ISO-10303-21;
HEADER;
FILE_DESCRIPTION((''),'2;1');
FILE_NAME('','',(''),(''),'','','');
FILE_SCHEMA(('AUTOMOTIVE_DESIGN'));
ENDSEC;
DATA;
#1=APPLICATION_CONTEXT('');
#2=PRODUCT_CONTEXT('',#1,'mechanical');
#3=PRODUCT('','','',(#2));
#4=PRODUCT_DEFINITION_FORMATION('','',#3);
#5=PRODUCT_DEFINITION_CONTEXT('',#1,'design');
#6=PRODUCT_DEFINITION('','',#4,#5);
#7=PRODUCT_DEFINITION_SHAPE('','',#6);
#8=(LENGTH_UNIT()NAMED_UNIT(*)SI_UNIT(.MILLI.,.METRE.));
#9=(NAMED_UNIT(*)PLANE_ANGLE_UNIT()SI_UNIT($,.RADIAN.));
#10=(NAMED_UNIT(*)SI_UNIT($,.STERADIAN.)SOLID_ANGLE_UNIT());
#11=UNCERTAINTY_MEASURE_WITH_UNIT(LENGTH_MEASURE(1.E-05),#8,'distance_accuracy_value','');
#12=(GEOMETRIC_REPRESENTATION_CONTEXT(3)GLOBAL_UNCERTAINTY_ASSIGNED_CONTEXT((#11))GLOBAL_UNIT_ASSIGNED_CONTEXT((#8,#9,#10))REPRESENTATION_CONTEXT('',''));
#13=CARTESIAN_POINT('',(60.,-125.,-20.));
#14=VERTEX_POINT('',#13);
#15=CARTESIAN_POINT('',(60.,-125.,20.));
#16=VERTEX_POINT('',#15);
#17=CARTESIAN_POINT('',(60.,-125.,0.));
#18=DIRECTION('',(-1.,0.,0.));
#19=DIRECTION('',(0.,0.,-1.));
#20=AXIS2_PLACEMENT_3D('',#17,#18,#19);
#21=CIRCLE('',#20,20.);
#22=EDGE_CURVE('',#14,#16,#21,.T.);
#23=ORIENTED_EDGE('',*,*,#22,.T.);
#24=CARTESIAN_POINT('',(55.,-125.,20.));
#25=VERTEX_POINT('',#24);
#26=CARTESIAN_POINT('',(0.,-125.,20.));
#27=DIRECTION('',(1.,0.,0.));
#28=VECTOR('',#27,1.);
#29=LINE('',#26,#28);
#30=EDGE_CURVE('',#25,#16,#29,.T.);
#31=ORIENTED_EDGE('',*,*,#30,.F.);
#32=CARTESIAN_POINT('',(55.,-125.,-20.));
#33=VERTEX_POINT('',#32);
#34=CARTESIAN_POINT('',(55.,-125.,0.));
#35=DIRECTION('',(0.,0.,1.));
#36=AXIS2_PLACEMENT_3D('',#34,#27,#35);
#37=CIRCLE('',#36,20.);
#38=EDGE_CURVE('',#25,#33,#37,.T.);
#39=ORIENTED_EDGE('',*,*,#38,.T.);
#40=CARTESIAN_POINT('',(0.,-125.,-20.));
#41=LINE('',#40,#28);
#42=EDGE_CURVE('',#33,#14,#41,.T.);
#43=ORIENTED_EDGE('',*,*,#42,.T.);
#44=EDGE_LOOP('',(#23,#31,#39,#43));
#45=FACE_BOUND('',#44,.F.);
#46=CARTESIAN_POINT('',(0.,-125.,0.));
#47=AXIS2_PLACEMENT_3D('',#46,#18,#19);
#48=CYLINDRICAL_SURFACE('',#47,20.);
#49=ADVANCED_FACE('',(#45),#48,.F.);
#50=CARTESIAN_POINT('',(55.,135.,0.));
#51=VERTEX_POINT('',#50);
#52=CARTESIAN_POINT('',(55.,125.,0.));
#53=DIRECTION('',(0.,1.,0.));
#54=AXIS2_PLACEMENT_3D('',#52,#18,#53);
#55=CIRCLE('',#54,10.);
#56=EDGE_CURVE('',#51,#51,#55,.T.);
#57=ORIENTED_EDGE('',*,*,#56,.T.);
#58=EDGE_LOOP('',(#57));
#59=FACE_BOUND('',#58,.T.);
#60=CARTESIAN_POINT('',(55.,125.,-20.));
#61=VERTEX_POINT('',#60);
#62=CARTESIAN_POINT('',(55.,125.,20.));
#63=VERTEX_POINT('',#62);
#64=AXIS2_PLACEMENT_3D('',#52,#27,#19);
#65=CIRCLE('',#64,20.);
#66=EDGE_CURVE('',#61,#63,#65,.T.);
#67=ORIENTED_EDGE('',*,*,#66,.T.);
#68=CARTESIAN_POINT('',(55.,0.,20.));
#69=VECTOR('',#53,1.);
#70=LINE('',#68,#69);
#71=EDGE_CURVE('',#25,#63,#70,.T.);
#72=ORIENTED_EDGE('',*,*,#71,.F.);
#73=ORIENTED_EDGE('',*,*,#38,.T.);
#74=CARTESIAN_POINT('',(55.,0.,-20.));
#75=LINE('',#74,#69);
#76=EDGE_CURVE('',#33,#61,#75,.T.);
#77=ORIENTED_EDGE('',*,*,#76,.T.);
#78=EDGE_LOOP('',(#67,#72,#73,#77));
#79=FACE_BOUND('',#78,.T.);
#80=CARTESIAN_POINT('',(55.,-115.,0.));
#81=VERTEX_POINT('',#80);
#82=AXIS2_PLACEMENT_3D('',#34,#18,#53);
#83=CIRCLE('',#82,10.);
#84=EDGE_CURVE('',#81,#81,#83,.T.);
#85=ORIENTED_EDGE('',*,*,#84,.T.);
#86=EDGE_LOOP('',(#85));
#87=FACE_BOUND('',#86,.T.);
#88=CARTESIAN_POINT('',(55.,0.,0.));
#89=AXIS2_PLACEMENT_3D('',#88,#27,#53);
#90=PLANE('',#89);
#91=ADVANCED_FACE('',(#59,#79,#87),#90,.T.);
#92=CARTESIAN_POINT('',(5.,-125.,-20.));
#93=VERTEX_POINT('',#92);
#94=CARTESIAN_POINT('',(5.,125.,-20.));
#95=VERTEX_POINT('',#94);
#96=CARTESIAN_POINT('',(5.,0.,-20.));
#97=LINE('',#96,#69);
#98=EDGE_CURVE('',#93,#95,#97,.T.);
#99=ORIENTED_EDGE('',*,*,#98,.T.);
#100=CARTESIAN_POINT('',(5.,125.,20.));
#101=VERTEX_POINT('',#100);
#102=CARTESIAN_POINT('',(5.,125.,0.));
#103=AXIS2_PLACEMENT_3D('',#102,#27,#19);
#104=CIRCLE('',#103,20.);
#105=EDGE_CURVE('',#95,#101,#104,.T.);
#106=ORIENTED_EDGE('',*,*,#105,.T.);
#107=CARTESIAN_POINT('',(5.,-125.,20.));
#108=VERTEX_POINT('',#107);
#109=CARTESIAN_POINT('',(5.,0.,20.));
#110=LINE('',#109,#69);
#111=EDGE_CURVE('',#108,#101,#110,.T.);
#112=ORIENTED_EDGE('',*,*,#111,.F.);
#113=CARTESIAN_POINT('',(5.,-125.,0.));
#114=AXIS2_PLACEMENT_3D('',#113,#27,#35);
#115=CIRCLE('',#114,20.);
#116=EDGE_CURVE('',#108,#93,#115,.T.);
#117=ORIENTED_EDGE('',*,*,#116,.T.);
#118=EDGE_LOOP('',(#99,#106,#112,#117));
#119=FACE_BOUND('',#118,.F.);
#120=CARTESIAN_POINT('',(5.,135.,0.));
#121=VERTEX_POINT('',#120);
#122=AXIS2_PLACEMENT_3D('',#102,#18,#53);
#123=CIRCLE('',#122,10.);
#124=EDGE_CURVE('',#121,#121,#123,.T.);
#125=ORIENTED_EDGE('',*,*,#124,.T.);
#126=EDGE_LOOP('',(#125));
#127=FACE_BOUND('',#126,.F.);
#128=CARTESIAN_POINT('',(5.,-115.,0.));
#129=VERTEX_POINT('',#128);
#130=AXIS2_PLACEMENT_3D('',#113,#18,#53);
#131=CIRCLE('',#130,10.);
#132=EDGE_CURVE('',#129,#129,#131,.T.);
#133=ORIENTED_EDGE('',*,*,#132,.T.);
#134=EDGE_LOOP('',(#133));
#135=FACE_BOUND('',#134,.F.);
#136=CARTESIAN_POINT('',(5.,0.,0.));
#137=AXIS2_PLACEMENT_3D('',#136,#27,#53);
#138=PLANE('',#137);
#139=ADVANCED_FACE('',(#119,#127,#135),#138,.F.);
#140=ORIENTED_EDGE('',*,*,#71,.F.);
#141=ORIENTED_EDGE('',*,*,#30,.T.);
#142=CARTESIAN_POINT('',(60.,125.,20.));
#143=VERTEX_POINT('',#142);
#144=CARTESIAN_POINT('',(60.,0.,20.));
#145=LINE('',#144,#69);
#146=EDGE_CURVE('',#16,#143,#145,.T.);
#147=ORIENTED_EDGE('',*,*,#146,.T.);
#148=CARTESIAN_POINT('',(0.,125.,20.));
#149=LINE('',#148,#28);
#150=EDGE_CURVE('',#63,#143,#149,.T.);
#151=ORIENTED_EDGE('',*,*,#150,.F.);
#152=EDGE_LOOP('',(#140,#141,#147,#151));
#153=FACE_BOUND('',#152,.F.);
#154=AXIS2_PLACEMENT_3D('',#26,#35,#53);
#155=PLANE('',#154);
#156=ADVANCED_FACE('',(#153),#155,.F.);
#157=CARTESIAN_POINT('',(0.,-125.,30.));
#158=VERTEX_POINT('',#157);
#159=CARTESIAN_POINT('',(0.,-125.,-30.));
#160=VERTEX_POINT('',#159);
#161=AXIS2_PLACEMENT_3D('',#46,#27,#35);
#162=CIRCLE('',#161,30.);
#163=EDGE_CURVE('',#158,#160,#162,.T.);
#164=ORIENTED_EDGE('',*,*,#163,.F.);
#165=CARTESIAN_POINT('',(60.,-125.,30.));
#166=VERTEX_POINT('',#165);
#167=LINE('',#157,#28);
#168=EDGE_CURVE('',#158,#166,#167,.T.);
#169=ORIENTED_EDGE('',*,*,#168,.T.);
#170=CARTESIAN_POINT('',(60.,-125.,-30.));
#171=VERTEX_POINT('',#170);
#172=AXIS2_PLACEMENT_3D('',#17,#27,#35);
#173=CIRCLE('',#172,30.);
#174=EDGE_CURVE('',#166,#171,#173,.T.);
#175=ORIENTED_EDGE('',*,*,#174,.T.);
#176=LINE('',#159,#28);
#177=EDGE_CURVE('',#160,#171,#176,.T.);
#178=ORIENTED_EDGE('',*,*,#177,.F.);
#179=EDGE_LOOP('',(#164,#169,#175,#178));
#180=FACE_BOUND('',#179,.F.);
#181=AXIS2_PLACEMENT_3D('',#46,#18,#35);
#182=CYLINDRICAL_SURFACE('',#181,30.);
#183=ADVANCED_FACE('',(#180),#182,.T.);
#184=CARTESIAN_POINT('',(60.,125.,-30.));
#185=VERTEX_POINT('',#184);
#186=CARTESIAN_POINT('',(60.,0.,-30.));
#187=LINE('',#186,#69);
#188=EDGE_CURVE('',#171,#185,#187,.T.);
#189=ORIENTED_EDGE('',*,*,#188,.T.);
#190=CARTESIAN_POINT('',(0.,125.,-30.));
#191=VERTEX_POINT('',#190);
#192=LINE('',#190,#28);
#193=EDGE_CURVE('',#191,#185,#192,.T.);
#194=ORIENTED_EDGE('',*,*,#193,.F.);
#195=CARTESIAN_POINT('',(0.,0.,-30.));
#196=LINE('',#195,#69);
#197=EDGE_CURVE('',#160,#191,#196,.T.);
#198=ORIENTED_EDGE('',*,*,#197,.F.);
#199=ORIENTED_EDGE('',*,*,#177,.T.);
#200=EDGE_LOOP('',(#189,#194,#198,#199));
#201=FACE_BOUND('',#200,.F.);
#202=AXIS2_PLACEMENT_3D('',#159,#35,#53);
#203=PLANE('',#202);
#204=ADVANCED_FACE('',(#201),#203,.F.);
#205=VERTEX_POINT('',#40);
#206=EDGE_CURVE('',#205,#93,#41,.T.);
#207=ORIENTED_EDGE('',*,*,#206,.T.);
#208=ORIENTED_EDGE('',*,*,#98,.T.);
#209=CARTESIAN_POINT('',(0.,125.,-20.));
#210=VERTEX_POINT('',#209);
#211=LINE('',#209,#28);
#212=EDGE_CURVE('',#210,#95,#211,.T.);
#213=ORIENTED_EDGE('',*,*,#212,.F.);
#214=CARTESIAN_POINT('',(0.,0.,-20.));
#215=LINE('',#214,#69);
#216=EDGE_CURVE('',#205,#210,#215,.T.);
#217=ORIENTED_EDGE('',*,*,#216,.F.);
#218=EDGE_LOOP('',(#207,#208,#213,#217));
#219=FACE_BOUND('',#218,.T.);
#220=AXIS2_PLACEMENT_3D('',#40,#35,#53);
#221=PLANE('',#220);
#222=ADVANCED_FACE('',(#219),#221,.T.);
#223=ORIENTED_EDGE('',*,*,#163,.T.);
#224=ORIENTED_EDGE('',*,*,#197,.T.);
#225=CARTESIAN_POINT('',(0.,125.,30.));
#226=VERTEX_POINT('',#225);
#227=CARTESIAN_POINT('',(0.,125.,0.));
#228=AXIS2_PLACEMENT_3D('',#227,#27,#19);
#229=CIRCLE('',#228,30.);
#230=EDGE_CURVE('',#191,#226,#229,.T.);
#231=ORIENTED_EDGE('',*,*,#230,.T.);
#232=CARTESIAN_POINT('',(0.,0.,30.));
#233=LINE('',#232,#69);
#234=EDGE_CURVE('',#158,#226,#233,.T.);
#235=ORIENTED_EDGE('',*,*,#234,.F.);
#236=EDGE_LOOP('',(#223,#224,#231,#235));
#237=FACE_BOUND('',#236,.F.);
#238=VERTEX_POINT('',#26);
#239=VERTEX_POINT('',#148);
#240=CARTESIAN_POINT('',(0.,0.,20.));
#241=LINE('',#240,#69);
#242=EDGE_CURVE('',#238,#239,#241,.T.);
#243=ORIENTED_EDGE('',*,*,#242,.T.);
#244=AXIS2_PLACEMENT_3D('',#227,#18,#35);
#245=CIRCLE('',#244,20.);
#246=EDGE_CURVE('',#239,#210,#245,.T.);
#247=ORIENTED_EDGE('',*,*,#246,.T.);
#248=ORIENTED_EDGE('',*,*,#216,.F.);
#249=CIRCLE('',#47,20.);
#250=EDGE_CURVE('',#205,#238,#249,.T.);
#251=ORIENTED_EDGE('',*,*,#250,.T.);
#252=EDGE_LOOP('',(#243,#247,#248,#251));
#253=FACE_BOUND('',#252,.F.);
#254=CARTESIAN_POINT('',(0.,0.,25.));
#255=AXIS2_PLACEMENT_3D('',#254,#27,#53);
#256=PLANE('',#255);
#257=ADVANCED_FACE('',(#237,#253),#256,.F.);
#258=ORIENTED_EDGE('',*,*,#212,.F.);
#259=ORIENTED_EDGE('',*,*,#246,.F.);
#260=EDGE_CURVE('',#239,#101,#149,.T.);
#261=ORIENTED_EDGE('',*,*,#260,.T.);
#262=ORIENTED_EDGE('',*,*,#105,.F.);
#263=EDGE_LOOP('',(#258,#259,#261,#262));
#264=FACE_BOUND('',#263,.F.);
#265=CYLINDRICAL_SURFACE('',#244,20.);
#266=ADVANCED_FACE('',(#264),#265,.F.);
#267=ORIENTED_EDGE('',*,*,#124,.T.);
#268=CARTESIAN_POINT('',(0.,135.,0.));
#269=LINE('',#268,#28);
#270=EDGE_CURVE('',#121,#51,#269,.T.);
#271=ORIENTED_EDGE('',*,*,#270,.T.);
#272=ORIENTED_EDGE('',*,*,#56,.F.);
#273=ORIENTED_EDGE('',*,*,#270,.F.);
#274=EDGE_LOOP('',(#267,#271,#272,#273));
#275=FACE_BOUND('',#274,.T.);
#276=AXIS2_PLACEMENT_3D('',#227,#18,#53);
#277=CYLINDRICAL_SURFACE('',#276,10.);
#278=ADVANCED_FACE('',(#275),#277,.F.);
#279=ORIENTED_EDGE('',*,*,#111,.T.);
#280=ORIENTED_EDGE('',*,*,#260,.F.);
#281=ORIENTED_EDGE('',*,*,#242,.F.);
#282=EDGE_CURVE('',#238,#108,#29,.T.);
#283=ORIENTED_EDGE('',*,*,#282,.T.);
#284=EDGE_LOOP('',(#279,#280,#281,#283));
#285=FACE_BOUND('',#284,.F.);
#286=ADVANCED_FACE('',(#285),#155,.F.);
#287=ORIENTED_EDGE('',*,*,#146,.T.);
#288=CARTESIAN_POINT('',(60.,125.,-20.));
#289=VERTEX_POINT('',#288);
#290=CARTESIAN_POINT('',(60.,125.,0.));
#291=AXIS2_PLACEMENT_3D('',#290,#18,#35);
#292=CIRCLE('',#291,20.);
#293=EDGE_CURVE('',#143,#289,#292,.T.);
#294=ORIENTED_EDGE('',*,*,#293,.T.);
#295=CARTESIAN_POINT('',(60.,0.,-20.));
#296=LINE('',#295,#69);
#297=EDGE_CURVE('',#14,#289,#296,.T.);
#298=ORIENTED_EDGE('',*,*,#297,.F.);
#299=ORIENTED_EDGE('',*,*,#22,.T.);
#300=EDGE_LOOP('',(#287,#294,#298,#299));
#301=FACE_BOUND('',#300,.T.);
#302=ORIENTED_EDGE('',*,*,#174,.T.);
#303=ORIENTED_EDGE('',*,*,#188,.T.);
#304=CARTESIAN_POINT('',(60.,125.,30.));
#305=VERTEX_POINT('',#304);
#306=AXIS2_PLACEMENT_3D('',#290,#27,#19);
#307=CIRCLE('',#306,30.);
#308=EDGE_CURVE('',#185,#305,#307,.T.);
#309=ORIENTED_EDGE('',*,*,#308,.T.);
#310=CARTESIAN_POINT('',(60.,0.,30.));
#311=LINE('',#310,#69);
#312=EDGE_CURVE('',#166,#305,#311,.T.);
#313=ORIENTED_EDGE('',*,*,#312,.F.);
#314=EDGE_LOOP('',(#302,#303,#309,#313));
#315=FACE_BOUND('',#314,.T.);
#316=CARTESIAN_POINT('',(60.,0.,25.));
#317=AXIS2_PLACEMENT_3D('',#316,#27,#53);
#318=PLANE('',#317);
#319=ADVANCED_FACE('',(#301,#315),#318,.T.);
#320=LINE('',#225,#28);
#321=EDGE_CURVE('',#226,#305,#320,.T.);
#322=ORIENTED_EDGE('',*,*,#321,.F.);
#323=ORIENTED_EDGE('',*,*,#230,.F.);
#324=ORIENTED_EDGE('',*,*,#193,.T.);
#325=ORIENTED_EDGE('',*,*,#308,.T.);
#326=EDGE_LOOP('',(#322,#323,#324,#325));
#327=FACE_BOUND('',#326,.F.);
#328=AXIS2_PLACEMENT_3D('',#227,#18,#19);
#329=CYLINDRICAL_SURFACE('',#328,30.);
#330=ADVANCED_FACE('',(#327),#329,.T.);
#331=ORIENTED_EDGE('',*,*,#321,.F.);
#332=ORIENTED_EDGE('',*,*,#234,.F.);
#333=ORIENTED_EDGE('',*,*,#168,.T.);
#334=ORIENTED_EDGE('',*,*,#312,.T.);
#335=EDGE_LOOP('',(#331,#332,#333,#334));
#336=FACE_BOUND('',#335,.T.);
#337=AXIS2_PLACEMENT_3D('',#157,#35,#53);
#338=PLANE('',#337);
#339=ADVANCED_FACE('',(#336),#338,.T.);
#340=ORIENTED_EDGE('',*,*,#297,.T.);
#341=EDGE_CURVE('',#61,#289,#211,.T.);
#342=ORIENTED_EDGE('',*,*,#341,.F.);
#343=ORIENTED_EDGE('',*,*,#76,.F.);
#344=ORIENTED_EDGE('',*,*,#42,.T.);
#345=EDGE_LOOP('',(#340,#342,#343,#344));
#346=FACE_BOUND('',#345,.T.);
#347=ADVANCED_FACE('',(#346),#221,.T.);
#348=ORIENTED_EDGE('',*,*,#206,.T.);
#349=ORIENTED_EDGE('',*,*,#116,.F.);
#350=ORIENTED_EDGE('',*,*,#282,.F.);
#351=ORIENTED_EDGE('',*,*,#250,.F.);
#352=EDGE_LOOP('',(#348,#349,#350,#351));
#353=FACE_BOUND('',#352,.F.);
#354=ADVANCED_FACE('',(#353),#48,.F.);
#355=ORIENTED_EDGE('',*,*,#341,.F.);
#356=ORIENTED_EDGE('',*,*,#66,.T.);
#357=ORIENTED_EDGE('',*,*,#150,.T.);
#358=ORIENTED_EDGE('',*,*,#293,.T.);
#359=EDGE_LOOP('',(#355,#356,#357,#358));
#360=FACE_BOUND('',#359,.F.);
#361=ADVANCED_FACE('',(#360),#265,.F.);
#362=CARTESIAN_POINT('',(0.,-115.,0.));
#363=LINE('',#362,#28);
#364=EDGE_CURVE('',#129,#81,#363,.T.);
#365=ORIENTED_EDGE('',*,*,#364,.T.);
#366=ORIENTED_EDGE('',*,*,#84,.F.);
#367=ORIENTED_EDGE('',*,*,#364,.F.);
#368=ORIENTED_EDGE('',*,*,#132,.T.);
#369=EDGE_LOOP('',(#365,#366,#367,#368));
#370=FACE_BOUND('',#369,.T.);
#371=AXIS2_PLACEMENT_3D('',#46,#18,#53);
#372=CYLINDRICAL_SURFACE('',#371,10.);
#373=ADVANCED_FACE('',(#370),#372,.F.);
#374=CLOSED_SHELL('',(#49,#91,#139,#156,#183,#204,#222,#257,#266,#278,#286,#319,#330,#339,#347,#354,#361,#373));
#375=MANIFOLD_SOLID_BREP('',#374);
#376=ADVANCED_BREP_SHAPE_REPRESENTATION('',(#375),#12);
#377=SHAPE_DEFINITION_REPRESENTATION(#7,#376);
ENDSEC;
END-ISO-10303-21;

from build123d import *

# Parameters (mm, degrees)
F0_W     = 250
F0_H     = 10
F1_DEPTH = 60
F2_START = 5
F0_H_2   = 40
F2_DEPTH = 50
F3_R     = 10
F4_DEPTH = 60.001


with BuildPart() as f1:
    # F0 (on Right) → F1 (new body)
    with BuildSketch(Plane.YZ):
        with Locations((0, 25)):
            Rectangle(F0_W, F0_H)
        with BuildLine():
            Line((-125, 20), (-125, 30))
            ThreePointArc((-125, 30), (-155, 0), (-125, -30))
            Line((-125, -30), (-125, -20))
            ThreePointArc((-125, -20), (-145, 0), (-125, 20))
        make_face()
        with BuildLine():
            ThreePointArc((125, -30), (155, 0), (125, 30))
            Line((125, 30), (125, 20))
            ThreePointArc((125, 20), (145, 0), (125, -20))
            Line((125, -20), (125, -30))
        make_face()
        with Locations((0, -25)):
            Rectangle(F0_W, F0_H)
    extrude(amount=F1_DEPTH)

    # F0 (on Right) → F2 (join)
    with BuildSketch(Plane.YZ.offset(F2_START)):
        Rectangle(F0_W, F0_H_2)
        with BuildLine():
            ThreePointArc((125, -20), (145, 0), (125, 20))
            Line((125, 20), (125, -20))
        make_face()
        with BuildLine():
            Line((-125, -20), (-125, 20))
            ThreePointArc((-125, 20), (-145, 0), (-125, -20))
        make_face()
    extrude(amount=F2_DEPTH)

    # F3 (on Right) → F4 (cut, through all)
    with BuildSketch(Plane.YZ):
        with Locations((-125, 0)):
            Circle(F3_R)
        with Locations((125, 0)):
            Circle(F3_R)
    extrude(amount=F4_DEPTH, mode=Mode.SUBTRACT)


solid = f1.part
